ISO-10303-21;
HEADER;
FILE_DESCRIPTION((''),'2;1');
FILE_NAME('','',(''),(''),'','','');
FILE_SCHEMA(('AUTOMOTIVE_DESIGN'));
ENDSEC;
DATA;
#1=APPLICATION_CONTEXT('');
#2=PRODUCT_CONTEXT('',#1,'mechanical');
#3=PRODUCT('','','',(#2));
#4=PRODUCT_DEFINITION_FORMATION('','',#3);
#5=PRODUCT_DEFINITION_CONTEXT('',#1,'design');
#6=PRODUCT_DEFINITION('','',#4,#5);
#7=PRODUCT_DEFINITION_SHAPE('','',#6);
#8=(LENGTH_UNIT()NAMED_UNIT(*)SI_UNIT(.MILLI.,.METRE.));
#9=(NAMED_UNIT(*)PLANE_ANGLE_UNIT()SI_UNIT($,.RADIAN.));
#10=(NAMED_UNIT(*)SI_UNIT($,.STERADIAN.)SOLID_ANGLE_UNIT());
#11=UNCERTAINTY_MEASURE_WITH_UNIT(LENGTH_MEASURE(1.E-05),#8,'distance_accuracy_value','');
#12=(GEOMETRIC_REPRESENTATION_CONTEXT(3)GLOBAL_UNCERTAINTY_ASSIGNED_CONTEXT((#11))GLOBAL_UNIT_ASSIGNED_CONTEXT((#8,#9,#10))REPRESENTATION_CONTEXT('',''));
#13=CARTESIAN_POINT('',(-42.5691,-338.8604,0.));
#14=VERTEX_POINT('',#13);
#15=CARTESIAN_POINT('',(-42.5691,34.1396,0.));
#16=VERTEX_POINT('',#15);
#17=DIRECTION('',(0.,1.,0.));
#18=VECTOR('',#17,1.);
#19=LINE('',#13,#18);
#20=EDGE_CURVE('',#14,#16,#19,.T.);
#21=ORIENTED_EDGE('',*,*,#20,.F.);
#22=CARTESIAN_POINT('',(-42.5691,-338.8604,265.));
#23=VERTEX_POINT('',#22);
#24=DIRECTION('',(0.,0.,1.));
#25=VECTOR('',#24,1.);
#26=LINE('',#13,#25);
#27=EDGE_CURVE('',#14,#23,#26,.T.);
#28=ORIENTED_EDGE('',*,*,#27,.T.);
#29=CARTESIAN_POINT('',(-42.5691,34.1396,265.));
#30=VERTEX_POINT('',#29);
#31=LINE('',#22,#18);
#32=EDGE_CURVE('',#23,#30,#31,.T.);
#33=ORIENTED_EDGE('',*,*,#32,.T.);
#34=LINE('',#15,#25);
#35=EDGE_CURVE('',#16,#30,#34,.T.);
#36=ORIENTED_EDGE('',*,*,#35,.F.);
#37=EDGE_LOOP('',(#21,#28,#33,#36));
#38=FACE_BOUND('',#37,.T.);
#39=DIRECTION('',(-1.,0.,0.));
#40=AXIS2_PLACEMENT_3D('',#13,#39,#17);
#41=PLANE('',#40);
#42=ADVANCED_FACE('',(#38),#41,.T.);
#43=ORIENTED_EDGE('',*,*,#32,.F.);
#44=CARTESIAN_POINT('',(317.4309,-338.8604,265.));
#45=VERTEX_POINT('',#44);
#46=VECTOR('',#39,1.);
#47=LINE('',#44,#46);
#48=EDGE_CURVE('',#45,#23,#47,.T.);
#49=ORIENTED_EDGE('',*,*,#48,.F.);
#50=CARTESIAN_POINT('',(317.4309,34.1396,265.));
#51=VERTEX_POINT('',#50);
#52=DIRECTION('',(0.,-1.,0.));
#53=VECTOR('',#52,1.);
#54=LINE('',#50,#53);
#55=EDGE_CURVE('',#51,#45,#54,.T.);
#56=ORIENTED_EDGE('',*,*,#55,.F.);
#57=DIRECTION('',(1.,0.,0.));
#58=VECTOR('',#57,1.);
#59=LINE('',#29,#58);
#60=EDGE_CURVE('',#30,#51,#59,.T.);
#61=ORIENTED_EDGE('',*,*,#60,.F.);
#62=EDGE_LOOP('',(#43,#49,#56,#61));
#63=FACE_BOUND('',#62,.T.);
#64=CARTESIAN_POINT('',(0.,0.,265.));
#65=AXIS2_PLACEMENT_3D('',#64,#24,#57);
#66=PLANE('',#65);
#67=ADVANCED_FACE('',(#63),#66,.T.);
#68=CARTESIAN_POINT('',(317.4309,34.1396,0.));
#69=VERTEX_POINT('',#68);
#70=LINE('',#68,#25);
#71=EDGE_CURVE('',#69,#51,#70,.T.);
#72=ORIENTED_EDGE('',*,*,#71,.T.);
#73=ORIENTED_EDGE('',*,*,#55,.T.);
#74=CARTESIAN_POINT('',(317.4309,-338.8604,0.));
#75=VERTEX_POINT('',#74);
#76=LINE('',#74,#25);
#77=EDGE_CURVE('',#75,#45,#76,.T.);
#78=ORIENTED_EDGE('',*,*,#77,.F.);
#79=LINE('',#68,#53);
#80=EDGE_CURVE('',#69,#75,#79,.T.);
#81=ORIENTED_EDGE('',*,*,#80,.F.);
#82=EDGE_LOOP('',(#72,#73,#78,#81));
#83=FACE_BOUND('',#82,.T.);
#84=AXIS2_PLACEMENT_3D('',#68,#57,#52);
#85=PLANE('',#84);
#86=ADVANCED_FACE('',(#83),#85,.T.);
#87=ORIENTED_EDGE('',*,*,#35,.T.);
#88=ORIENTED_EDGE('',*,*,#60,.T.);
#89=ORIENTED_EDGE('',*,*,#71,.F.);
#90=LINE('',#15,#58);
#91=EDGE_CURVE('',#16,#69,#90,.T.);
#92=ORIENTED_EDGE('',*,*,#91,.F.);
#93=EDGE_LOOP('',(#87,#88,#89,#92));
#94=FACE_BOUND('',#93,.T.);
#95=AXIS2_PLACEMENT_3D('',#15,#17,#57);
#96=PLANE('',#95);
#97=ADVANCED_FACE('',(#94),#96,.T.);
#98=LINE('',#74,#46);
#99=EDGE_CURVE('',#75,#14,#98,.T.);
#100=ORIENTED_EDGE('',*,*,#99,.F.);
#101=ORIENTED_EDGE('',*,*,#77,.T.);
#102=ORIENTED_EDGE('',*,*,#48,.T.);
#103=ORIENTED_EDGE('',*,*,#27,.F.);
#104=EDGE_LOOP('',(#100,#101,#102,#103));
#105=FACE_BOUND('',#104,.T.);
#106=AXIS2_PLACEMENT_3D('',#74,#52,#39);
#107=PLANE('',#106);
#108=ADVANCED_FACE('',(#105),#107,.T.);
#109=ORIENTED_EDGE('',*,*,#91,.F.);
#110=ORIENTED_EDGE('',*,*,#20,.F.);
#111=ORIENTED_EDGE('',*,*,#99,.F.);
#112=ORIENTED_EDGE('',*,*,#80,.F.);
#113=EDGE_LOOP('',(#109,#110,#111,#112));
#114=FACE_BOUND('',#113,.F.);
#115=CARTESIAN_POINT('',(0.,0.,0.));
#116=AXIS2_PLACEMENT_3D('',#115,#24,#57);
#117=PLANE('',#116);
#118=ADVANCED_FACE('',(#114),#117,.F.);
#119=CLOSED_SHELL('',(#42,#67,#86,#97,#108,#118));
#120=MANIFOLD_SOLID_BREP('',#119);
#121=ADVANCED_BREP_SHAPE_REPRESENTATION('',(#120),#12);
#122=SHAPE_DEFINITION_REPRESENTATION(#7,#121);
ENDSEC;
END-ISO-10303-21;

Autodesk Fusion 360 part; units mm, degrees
sketch "Skizze1" plane through (0, 0, 0) normal (0, 0, 1) x (1, 0, 0)
  line L0 (-42.5691, 34.1396) -> (317.4309, 34.1396)
  line L1 (317.4309, 34.1396) -> (317.4309, -338.8604)
  line L2 (317.4309, -338.8604) -> (-42.5691, -338.8604)
  line L3 (-42.5691, -338.8604) -> (-42.5691, 34.1396)
  dimension "d1" = 360
  dimension "d2" = 373
extrude "Extrusion1" add sketch "Skizze1" along normal blind 265
